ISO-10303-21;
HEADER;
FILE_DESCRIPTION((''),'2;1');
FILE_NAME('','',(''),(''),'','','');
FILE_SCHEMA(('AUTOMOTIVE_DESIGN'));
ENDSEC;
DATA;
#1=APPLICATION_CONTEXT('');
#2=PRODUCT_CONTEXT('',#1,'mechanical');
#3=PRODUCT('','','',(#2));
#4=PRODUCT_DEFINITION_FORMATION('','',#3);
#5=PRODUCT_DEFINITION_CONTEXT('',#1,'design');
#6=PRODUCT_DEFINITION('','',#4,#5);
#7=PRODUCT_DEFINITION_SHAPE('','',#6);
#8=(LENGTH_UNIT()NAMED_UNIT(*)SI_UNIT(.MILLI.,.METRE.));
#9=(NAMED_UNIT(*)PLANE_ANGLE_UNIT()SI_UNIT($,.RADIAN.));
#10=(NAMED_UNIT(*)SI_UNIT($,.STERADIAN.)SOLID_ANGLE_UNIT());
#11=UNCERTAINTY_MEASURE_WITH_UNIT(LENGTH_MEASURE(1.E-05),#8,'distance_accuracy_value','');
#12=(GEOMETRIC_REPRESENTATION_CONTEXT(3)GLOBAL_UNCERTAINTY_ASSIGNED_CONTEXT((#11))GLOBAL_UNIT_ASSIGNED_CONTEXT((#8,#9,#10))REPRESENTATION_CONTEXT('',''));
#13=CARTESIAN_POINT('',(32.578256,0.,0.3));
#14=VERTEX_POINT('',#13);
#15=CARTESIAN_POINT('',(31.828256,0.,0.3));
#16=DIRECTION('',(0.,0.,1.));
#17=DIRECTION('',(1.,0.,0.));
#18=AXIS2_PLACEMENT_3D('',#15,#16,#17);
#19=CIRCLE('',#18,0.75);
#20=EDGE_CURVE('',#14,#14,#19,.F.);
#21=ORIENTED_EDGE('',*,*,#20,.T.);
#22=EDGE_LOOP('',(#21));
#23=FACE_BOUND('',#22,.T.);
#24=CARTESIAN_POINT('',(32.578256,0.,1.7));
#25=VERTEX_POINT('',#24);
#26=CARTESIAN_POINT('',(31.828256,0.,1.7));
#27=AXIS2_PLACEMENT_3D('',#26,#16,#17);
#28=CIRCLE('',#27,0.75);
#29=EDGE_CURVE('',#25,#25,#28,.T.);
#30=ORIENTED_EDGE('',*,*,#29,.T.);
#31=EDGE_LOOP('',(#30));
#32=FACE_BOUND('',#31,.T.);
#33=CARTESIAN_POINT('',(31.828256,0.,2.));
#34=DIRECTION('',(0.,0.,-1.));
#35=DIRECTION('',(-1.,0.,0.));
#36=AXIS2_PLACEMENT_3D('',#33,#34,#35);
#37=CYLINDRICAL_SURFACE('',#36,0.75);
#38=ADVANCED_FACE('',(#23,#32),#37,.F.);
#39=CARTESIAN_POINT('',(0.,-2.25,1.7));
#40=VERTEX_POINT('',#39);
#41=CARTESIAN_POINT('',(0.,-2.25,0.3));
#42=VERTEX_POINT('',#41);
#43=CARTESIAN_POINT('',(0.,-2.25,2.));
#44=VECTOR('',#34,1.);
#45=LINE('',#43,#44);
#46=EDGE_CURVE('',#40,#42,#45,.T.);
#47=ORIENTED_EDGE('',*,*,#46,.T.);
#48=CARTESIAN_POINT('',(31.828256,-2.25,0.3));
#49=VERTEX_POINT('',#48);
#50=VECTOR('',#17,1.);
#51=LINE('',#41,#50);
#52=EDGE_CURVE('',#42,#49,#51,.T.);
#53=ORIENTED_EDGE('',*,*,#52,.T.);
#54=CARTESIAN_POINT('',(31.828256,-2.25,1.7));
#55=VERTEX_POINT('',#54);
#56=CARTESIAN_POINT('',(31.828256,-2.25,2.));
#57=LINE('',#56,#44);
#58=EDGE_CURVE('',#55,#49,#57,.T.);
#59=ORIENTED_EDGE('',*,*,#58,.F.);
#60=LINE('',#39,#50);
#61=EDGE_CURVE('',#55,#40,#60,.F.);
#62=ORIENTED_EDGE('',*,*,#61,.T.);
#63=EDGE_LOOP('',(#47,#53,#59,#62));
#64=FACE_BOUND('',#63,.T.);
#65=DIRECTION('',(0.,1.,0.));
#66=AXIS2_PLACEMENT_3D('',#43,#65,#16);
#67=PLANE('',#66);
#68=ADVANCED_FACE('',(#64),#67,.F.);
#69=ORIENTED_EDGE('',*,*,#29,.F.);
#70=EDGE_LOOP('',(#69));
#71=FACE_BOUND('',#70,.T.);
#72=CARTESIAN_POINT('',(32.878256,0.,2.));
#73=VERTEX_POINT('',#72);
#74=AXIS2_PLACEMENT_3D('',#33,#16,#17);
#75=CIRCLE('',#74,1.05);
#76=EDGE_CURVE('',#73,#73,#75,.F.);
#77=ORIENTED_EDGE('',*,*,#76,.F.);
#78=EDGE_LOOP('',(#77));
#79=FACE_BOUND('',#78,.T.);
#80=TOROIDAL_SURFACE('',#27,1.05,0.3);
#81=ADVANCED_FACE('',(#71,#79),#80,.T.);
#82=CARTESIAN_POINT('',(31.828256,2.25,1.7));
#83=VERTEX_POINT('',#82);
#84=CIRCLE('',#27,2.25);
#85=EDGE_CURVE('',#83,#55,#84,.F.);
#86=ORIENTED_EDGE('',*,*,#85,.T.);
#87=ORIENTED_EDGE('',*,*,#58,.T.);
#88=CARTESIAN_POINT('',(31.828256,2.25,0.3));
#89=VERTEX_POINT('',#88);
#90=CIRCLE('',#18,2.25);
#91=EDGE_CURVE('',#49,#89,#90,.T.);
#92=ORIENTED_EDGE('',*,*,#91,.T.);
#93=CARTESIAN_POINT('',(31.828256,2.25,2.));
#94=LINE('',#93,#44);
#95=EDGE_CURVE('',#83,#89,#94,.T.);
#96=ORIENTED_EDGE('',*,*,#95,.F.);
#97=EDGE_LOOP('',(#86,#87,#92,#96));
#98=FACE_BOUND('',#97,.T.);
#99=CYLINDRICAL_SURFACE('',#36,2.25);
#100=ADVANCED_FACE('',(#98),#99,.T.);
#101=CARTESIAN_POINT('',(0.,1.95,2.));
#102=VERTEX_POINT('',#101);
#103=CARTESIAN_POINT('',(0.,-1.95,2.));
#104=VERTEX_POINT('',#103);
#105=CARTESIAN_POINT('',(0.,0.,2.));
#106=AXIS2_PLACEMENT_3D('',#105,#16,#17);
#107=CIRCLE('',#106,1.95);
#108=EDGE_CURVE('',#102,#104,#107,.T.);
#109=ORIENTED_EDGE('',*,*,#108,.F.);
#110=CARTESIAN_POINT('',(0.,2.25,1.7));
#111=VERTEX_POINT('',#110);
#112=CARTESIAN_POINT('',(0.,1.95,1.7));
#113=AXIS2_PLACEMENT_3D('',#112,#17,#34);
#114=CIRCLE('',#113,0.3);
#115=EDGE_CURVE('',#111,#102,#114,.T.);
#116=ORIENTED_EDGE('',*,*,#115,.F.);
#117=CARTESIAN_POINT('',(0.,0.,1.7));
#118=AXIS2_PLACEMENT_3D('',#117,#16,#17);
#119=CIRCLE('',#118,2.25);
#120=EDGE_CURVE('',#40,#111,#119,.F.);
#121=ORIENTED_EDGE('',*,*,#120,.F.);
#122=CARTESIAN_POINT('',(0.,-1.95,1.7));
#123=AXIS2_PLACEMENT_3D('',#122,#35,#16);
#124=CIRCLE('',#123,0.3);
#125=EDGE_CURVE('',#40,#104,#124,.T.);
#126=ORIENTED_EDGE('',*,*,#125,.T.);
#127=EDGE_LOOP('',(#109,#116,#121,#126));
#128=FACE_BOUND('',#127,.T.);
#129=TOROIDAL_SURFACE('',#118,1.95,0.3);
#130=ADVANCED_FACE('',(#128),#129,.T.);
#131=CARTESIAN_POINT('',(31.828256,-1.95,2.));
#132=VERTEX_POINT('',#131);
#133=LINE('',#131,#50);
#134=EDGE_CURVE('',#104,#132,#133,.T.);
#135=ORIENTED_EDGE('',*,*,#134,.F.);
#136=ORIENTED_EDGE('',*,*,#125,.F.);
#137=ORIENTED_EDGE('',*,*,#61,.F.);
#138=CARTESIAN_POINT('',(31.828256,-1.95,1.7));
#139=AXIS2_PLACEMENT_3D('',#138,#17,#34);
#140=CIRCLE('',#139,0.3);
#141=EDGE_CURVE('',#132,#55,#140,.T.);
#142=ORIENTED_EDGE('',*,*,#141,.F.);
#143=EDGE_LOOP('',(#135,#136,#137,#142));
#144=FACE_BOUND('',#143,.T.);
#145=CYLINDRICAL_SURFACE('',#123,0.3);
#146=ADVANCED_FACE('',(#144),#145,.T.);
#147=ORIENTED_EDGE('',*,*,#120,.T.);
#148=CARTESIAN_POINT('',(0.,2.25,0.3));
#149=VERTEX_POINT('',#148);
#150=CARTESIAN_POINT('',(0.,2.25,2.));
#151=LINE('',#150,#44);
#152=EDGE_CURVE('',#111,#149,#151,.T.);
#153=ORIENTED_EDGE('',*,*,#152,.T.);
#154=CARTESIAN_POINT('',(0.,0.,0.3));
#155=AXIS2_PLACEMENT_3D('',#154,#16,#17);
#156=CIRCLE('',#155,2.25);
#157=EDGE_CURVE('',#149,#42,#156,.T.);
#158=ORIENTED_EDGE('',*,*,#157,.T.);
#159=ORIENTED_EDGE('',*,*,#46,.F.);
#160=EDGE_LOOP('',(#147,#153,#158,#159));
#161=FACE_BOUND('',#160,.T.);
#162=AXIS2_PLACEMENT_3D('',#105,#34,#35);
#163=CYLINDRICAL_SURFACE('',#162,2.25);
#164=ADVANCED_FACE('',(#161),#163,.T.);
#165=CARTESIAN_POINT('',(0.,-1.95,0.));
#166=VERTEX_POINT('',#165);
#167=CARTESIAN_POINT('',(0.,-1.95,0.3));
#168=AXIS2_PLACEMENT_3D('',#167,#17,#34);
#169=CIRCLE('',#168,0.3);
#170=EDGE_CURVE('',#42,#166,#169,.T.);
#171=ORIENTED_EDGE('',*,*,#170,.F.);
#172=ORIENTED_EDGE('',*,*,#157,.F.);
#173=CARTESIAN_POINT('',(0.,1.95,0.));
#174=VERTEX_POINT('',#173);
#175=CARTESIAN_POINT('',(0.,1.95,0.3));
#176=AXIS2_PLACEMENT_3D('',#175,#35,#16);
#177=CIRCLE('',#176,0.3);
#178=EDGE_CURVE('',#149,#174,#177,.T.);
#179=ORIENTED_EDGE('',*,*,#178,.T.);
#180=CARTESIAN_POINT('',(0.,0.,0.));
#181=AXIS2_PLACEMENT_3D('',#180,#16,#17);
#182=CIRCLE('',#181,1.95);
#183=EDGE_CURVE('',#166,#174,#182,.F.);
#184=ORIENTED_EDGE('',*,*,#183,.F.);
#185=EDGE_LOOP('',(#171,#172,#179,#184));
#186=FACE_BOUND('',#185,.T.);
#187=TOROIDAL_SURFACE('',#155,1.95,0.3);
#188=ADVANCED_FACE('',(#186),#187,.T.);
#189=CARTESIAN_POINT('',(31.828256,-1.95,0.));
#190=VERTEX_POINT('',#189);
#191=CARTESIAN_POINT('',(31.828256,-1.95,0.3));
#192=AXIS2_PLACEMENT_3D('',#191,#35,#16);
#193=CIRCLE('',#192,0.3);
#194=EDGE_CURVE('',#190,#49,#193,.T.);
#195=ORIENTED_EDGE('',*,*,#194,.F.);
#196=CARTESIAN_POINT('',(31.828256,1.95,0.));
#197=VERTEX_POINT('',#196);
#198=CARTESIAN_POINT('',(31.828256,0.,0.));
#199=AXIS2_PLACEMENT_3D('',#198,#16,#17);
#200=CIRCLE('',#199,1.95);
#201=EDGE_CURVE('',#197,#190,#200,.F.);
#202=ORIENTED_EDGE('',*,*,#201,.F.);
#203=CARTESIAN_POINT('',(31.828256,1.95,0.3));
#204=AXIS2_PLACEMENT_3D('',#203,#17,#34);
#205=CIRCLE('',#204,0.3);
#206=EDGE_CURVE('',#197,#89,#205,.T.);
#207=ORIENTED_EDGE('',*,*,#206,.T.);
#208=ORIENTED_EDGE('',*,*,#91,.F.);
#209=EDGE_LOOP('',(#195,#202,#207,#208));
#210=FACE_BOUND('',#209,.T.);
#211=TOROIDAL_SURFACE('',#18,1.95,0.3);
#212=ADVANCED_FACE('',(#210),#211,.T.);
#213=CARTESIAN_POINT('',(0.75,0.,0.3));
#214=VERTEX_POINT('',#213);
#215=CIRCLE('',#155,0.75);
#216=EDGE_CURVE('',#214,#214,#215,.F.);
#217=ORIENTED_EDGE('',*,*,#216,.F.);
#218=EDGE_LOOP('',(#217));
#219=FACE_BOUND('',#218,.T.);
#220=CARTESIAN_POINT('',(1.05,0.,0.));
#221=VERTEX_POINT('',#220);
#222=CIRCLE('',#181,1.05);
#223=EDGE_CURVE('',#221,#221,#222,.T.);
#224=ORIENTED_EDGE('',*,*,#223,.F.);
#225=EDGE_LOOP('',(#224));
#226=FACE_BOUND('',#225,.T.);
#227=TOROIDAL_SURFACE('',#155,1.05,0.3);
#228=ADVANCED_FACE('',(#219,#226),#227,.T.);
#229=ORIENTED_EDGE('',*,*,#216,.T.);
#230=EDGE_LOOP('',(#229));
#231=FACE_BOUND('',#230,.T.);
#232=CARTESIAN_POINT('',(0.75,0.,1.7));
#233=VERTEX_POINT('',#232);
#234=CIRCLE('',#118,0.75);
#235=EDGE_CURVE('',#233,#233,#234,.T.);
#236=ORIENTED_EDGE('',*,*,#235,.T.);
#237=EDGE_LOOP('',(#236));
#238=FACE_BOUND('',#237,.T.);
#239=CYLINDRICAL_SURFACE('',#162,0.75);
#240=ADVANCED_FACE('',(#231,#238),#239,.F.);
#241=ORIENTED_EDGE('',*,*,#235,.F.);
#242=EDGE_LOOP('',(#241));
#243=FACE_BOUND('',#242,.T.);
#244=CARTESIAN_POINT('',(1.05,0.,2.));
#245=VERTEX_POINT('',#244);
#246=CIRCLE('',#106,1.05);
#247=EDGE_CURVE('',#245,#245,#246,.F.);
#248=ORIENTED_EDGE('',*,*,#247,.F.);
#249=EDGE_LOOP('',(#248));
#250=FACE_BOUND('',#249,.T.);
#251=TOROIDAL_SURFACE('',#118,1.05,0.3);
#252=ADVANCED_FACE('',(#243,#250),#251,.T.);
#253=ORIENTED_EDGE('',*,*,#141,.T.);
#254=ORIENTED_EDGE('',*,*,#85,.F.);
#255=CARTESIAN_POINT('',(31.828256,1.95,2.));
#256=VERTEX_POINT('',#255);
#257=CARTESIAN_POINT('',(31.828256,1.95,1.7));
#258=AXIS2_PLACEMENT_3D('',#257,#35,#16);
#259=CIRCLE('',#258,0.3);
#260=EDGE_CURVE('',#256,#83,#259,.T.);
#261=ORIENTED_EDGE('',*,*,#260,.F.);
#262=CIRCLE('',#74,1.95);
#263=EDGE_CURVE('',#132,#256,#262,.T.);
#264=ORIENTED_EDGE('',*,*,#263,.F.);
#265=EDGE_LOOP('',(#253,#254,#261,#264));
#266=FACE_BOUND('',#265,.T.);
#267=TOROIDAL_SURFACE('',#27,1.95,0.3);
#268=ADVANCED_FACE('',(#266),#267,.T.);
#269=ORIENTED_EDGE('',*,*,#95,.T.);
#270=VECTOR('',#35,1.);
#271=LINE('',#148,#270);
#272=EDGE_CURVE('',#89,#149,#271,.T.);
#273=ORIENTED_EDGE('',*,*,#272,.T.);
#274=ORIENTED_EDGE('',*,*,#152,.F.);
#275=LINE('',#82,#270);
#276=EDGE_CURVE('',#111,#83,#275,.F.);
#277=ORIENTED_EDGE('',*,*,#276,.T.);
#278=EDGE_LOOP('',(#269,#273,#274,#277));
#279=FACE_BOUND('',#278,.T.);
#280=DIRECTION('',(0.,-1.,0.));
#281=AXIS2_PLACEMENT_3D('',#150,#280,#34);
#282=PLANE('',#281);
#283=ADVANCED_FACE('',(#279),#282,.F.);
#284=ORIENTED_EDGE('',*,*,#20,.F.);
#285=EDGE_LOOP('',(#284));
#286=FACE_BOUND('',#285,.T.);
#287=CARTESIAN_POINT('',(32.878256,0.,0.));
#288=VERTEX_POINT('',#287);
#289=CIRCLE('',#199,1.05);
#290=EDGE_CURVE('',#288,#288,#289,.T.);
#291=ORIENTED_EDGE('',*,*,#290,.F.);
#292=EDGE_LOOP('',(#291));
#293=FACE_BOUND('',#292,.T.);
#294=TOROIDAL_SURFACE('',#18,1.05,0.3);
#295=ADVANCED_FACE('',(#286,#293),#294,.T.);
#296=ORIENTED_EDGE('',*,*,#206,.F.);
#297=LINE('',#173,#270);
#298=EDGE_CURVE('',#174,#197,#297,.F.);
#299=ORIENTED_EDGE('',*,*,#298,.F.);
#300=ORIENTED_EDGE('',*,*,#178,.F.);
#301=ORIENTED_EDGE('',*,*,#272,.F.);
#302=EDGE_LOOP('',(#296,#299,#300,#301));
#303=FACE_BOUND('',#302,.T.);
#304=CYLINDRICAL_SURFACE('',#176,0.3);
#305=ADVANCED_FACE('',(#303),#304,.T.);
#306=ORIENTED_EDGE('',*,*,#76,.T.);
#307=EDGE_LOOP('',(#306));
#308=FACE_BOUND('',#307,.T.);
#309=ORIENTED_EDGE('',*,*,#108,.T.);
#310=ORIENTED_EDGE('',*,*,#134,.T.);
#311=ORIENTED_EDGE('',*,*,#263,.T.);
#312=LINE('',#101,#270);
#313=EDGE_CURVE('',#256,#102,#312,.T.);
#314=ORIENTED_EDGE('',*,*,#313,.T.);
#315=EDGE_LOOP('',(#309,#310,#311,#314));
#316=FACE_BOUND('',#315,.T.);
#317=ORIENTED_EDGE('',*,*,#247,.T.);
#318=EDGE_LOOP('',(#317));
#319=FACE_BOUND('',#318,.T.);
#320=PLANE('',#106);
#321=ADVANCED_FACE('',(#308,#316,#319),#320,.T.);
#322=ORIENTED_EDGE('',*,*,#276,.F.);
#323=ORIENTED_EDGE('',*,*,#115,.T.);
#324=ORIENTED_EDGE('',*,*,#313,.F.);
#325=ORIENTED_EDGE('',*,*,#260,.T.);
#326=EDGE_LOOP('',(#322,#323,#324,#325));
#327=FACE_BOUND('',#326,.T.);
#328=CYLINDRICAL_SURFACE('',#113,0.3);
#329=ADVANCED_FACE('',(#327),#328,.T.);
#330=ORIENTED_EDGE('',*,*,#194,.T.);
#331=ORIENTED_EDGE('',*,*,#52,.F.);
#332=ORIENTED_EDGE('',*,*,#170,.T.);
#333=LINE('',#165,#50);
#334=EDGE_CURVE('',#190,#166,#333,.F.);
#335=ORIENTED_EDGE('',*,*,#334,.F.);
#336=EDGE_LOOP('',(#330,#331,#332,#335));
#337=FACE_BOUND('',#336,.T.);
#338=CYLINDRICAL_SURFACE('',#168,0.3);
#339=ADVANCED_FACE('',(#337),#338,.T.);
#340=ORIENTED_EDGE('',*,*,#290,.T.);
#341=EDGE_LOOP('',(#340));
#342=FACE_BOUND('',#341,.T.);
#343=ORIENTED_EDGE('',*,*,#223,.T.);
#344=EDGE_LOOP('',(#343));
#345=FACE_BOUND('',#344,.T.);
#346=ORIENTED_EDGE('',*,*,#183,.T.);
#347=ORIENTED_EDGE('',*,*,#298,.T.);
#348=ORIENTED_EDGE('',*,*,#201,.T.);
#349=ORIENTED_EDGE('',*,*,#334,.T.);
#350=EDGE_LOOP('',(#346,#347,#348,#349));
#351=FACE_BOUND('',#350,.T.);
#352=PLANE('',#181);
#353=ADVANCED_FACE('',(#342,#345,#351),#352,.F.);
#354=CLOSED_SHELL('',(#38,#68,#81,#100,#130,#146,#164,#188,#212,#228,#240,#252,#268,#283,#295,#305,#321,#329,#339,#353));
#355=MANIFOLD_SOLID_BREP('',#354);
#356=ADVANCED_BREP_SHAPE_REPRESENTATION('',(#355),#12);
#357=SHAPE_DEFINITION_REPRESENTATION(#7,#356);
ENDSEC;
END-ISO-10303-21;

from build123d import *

# Parameters (mm, degrees)
SKETCH1_R           = 0.75
BOSS_EXTRUDE1_DEPTH = 2
FILLET1_R           = 0.3


with BuildPart() as part:
    # Sketch1 → Boss-Extrude1 (new body)
    with BuildSketch(Plane.XY):
        with BuildLine():
            Line((0, 2.25), (31.82825623, 2.25))
            ThreePointArc((31.82825623, 2.25), (34.07825623, 0), (31.82825623, -2.25))
            Line((31.82825623, -2.25), (0, -2.25))
            ThreePointArc((0, -2.25), (-2.25, 0), (0, 2.25))
        make_face()
        Circle(SKETCH1_R, mode=Mode.SUBTRACT)
        with Locations((31.82825623, 0)):
            Circle(SKETCH1_R, mode=Mode.SUBTRACT)
    extrude(amount=BOSS_EXTRUDE1_DEPTH)

    # Fillet1
    fillet1_edges = [part.edges().sort_by_distance(p)[0] for p in [
        (34.07825623, 0, 2),
        (-0.75, 0, 0),
        (-0.75, 0, 2),
        (15.914128115, 2.25, 2),
        (31.07825623, 0, 0),
        (31.07825623, 0, 2),
        (-2.25, 0, 2),
        (15.914128115, 2.25, 0),
        (34.07825623, 0, 0),
        (15.914128115, -2.25, 0),
        (-2.25, 0, 0),
        (15.914128115, -2.25, 2),
    ]]
    fillet(fillet1_edges, radius=FILLET1_R)


solid = part.part
